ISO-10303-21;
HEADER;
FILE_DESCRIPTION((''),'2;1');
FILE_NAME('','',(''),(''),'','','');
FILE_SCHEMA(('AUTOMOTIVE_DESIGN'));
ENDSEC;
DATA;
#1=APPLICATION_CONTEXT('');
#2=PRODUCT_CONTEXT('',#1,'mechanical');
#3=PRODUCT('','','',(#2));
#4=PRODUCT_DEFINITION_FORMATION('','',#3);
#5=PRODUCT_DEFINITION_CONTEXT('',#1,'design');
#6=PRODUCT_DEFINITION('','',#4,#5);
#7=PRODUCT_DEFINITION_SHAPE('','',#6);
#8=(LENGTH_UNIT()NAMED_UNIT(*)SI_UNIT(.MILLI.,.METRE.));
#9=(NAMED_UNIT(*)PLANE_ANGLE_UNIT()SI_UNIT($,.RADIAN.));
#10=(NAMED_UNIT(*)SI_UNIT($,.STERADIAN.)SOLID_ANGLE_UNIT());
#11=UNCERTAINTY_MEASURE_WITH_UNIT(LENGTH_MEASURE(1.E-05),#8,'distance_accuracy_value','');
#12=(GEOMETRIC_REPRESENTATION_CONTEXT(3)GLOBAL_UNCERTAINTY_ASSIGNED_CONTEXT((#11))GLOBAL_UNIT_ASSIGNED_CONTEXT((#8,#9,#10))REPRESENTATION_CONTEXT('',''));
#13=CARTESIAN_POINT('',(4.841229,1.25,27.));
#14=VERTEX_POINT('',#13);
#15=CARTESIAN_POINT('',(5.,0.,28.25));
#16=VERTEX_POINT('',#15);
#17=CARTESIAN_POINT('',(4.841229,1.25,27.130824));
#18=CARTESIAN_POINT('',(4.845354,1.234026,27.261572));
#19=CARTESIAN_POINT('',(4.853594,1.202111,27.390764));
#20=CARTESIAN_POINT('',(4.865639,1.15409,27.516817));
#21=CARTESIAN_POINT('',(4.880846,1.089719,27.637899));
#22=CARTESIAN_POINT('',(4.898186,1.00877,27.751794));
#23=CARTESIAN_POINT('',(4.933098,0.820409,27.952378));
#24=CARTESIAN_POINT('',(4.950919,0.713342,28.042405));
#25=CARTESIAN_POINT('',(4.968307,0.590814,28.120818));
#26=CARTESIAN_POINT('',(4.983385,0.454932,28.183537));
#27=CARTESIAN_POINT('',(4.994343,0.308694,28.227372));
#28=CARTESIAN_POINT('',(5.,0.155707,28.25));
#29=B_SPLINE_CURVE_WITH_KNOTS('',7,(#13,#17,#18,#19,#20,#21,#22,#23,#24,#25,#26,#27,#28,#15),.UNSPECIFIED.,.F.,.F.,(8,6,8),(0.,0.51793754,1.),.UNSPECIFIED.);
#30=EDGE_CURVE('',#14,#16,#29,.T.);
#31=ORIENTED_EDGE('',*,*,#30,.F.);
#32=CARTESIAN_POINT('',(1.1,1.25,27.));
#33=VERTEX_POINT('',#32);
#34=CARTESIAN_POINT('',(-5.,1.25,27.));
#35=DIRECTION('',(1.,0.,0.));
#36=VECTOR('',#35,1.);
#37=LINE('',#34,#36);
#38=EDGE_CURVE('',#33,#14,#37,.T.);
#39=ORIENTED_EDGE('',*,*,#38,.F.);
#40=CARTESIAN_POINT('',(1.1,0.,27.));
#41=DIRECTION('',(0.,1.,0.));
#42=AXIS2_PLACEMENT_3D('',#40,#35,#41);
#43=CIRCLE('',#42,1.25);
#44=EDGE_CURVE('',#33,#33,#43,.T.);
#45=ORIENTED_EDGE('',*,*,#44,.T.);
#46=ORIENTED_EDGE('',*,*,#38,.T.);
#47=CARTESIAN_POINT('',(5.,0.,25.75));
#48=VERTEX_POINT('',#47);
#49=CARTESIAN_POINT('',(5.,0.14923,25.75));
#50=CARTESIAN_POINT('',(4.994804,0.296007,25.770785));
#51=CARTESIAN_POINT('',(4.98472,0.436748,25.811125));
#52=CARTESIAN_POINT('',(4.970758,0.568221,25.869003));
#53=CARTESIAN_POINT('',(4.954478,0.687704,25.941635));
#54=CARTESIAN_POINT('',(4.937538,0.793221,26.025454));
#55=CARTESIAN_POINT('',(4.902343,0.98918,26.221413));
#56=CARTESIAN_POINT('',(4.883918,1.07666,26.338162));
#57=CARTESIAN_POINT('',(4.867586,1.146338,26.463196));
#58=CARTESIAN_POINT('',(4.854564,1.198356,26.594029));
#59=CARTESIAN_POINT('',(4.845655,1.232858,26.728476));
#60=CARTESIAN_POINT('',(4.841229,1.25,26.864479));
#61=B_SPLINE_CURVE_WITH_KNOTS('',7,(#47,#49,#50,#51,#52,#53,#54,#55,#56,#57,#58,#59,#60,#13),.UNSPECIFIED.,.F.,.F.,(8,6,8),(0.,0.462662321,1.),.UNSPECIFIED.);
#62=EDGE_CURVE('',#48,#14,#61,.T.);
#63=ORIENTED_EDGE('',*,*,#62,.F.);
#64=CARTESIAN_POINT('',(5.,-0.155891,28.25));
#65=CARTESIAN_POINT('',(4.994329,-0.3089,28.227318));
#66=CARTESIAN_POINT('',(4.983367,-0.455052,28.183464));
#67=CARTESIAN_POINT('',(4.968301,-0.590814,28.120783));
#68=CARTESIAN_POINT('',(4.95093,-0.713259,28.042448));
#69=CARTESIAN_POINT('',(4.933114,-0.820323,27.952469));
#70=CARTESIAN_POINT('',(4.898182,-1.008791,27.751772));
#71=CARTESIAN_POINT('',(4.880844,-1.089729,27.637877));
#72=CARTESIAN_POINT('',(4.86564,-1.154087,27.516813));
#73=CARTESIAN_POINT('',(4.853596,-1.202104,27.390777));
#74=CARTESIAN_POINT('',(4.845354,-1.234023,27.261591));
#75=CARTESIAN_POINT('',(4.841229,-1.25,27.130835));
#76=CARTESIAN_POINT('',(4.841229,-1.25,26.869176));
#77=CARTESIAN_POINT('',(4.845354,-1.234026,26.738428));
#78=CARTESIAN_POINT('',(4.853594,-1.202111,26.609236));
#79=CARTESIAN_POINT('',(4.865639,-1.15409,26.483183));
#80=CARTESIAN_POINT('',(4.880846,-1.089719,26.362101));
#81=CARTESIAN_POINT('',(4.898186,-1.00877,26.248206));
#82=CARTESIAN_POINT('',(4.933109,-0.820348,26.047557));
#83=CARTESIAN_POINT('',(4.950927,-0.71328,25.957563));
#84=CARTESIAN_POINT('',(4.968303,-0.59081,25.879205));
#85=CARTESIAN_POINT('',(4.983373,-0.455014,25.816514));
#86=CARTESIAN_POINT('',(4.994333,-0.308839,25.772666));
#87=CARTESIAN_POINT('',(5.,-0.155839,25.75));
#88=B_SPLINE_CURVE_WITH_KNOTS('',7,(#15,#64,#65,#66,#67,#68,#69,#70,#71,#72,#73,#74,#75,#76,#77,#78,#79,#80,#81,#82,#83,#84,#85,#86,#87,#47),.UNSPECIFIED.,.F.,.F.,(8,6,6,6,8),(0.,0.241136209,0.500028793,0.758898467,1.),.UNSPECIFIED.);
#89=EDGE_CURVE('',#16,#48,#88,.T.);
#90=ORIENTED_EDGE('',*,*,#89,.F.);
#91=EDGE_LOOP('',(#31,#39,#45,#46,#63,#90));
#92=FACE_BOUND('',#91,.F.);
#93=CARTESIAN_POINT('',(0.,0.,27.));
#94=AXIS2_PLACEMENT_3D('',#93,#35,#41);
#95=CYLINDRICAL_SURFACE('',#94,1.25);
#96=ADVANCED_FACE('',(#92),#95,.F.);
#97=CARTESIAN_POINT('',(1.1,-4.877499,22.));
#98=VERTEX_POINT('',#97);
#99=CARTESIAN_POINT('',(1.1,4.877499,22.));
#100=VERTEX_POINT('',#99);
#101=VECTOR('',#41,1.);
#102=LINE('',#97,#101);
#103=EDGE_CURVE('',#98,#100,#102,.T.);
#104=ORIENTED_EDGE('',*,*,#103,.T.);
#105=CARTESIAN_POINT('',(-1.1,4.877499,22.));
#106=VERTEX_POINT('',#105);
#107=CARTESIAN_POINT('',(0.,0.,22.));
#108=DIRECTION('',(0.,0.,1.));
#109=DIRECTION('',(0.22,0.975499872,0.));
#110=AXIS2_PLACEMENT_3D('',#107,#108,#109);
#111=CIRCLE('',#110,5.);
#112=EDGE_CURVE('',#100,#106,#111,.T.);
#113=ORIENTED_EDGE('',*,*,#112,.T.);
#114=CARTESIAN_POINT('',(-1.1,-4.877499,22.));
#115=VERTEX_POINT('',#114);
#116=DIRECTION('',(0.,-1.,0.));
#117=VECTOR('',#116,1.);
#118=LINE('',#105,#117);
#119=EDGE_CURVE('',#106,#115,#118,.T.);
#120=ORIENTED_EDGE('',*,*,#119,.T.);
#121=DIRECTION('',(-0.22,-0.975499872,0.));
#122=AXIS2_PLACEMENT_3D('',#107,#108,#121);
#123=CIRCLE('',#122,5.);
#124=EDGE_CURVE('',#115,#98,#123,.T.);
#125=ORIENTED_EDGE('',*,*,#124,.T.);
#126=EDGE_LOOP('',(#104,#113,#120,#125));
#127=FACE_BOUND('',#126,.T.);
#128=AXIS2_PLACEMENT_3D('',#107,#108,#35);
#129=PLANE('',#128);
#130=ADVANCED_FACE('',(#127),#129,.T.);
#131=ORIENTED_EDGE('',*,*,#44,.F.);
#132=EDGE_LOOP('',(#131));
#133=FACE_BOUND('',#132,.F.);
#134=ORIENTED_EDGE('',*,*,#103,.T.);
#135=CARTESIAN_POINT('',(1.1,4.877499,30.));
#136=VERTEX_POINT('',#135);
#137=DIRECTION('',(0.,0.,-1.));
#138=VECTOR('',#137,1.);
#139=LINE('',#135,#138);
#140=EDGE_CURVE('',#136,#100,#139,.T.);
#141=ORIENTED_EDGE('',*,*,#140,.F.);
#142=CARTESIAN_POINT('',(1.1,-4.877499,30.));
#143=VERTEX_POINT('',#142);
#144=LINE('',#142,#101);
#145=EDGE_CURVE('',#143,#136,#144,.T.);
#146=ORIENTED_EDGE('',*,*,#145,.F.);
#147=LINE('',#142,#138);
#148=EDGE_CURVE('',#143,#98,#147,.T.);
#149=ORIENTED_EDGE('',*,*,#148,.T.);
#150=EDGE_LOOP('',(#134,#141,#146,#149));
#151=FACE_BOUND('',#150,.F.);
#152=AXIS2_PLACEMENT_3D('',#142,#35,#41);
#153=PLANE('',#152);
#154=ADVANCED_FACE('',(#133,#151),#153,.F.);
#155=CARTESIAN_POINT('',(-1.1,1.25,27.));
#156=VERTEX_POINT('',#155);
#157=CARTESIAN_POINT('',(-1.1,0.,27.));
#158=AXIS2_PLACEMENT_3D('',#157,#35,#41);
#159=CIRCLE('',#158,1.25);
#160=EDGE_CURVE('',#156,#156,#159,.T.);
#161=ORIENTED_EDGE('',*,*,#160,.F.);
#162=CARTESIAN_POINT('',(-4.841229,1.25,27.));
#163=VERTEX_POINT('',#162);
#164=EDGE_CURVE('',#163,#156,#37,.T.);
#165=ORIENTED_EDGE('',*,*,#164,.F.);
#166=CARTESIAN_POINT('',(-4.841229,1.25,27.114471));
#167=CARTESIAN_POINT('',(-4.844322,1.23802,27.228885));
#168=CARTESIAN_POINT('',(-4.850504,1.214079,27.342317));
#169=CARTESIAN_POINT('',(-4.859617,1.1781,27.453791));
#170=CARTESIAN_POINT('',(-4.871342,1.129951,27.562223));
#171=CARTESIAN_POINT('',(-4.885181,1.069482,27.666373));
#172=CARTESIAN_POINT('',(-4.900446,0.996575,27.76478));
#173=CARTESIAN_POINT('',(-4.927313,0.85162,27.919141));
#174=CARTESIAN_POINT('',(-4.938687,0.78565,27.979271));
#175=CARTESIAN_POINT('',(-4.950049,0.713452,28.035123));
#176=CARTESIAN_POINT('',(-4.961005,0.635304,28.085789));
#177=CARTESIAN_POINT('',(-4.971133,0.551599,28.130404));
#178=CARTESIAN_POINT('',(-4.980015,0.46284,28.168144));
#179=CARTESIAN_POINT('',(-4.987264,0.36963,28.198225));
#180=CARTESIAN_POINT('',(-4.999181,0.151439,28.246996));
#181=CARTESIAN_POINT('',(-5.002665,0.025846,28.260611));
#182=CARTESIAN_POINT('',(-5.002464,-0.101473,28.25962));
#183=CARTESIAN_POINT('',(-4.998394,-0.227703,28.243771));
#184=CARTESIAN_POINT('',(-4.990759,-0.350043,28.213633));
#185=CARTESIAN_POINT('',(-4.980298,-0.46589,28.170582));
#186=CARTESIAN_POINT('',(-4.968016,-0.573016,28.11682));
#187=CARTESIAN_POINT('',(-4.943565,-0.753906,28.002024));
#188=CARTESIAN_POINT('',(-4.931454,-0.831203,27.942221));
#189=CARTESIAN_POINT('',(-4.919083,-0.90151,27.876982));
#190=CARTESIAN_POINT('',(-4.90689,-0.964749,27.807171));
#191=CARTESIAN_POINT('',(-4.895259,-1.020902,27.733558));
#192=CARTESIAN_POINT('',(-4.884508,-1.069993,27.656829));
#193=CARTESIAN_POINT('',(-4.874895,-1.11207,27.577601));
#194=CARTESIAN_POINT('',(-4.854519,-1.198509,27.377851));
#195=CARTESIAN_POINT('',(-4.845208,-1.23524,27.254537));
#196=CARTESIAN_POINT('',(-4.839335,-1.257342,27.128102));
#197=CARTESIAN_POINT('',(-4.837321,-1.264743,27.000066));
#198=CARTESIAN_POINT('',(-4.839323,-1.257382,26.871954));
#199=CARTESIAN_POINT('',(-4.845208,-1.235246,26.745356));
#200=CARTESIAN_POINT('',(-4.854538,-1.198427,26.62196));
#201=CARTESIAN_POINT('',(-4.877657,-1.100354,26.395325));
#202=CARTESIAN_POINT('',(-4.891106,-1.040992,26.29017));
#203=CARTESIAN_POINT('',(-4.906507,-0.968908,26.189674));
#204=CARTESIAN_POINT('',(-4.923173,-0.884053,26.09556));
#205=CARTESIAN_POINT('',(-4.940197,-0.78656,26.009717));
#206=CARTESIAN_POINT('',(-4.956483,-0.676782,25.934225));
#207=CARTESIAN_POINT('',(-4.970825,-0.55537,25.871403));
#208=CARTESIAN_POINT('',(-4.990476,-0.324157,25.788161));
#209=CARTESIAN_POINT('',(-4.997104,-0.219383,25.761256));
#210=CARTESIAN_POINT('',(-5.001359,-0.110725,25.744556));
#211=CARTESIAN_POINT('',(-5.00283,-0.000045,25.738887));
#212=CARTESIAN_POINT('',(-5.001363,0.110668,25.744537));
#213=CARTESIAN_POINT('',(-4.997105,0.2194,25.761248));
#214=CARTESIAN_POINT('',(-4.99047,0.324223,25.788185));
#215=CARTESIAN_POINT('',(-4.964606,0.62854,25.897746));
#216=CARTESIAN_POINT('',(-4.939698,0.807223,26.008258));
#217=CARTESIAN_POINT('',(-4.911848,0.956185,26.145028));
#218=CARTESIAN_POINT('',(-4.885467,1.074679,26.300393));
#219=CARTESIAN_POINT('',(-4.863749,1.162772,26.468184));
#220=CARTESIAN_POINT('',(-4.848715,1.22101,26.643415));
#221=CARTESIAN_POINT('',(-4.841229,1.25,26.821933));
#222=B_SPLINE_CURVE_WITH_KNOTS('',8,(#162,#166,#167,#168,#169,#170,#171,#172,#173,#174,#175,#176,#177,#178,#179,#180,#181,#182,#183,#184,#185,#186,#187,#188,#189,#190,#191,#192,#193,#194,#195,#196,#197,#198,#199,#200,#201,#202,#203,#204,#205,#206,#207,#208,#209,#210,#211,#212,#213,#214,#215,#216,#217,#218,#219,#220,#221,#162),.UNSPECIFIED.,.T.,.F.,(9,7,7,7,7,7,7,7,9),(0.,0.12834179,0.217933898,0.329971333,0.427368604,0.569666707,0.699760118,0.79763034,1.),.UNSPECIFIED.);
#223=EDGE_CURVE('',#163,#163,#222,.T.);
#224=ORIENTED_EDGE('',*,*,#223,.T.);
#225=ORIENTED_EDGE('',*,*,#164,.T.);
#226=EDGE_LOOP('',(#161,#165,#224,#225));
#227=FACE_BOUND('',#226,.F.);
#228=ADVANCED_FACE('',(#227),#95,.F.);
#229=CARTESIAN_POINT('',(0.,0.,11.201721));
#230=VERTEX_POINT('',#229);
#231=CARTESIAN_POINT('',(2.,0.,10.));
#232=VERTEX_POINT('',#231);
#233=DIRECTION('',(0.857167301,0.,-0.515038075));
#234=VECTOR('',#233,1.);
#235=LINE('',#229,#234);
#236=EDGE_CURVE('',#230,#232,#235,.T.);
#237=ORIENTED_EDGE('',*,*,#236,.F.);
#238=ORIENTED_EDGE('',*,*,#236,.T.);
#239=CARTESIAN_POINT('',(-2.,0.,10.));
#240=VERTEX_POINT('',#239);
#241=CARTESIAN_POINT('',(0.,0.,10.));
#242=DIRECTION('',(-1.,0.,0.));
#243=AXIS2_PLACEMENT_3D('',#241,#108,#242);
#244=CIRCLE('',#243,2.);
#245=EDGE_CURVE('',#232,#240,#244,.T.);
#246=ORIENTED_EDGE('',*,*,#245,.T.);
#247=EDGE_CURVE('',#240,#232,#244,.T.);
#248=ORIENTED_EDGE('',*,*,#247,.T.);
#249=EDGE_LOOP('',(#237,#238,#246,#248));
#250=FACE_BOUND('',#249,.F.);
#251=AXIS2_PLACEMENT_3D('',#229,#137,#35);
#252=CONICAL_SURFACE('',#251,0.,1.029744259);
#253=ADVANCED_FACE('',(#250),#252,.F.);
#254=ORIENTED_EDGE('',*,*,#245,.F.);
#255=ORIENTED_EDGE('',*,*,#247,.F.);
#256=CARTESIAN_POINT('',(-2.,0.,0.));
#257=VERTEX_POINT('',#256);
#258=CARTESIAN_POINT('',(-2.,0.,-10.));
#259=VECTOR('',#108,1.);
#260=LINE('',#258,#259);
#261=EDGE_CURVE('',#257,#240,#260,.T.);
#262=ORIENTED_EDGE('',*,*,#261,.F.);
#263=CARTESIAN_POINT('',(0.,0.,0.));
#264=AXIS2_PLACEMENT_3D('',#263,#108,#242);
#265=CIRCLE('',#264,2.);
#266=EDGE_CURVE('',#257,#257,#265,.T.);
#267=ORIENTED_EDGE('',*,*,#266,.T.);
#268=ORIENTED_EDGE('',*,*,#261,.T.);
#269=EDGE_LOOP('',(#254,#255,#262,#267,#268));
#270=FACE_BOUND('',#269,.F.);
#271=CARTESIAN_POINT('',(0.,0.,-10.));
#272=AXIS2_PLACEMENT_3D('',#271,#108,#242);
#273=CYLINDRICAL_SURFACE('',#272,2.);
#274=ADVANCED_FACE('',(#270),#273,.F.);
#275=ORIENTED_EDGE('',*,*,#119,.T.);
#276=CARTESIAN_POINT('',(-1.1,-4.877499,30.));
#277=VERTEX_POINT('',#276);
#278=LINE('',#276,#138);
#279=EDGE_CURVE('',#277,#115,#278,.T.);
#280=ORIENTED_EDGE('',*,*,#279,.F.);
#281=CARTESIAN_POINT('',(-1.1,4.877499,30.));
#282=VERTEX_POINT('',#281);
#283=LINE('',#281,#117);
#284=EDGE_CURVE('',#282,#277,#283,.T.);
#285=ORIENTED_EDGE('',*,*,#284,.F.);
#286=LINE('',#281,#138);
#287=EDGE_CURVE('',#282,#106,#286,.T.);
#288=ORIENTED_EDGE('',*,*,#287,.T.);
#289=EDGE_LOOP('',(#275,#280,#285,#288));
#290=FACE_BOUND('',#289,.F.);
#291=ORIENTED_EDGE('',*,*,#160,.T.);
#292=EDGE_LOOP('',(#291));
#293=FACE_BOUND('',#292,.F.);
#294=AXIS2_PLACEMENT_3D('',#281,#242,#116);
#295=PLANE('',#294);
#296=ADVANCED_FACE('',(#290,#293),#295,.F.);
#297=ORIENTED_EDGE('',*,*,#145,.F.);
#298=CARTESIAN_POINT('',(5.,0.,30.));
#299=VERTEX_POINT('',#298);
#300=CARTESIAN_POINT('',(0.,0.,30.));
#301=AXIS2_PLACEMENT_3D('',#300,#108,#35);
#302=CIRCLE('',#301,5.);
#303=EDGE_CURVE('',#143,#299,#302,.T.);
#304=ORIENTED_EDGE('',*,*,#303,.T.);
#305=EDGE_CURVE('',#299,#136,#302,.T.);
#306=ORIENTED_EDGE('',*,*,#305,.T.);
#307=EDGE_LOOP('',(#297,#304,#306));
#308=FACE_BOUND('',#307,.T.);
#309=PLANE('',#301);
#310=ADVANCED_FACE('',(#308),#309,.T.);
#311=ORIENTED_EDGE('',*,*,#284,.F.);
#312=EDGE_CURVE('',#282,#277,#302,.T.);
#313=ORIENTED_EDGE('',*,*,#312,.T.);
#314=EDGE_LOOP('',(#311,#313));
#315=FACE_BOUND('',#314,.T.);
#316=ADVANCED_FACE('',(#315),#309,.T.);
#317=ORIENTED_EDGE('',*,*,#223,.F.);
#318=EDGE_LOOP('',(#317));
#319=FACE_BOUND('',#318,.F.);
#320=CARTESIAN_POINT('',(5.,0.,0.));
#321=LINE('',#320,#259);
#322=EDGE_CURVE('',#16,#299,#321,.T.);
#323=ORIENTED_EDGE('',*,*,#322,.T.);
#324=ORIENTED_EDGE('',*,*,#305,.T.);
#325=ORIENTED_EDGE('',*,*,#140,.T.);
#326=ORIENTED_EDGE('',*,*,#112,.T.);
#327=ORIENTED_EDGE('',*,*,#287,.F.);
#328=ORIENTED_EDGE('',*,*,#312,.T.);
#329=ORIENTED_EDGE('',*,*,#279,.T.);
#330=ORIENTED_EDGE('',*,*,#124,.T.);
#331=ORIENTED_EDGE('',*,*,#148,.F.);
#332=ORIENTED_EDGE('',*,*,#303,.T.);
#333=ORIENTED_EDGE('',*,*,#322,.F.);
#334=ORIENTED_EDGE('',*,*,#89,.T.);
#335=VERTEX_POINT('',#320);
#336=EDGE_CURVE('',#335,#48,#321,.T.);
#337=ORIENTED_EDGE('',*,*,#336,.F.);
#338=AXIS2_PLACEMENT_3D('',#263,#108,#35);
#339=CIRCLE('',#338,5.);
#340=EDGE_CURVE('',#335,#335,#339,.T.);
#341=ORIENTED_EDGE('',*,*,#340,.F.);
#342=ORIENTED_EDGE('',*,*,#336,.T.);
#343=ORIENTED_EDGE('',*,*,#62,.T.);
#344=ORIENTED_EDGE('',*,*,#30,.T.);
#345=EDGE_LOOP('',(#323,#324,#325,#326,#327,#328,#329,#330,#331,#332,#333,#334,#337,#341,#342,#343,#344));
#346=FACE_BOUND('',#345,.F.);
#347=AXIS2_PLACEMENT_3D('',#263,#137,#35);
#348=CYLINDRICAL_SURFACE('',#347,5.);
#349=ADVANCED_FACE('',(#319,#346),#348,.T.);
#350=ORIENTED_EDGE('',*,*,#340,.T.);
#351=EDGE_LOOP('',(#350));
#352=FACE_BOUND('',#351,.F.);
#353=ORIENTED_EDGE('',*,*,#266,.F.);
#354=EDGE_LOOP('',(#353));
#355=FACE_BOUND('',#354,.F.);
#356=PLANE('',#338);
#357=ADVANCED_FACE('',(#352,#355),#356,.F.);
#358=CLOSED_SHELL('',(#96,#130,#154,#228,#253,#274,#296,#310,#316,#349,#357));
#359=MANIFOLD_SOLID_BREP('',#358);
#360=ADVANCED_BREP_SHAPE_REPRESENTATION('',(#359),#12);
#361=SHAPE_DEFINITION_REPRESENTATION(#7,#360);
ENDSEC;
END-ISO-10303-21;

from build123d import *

# Parameters (mm, degrees)
F0_R     = 5
F1_DEPTH = 30
F3_DEPTH = 8
F4_R     = 1.25
F5_DEPTH = 5
F7_D     = 4
F7_DEPTH = 10
F7_TIP   = 1.2017212381


with BuildPart() as f1:
    # F0 (on Top) → F1 (new body)
    with BuildSketch(Plane.XY):
        Circle(F0_R)
    extrude(amount=F1_DEPTH)

    # F2 (on face) → F3 (cut)
    with BuildSketch(Plane.XY.offset(30)):
        with BuildLine():
            ThreePointArc((1.1, 4.8774993593), (0, 5), (-1.1, 4.8774993593))
            Line((-1.1, 4.8774993593), (-1.1, -4.8774993593))
            ThreePointArc((-1.1, -4.8774993593), (0, -5), (1.1, -4.8774993593))
            Line((1.1, -4.8774993593), (1.1, 4.8774993593))
        make_face()
    extrude(amount=-F3_DEPTH, mode=Mode.SUBTRACT)

    # F4 (on Right) → F5 (cut, symmetric)
    with BuildSketch(Plane.YZ):
        with Locations((0, 27)):
            Circle(F4_R)
    extrude(amount=F5_DEPTH, both=True, mode=Mode.SUBTRACT)

    # F7
    with Locations(Plane(origin=(0, 0, 0), x_dir=(1, 0, 0), z_dir=(0, 0, -1))):
        with Locations((0, 0)):
            Hole(F7_D / 2, depth=F7_DEPTH)
            with Locations((0, 0, -(F7_DEPTH + F7_TIP / 2))):  # 118° drill point
                Cone(0, F7_D / 2, F7_TIP, mode=Mode.SUBTRACT)


solid = f1.part
